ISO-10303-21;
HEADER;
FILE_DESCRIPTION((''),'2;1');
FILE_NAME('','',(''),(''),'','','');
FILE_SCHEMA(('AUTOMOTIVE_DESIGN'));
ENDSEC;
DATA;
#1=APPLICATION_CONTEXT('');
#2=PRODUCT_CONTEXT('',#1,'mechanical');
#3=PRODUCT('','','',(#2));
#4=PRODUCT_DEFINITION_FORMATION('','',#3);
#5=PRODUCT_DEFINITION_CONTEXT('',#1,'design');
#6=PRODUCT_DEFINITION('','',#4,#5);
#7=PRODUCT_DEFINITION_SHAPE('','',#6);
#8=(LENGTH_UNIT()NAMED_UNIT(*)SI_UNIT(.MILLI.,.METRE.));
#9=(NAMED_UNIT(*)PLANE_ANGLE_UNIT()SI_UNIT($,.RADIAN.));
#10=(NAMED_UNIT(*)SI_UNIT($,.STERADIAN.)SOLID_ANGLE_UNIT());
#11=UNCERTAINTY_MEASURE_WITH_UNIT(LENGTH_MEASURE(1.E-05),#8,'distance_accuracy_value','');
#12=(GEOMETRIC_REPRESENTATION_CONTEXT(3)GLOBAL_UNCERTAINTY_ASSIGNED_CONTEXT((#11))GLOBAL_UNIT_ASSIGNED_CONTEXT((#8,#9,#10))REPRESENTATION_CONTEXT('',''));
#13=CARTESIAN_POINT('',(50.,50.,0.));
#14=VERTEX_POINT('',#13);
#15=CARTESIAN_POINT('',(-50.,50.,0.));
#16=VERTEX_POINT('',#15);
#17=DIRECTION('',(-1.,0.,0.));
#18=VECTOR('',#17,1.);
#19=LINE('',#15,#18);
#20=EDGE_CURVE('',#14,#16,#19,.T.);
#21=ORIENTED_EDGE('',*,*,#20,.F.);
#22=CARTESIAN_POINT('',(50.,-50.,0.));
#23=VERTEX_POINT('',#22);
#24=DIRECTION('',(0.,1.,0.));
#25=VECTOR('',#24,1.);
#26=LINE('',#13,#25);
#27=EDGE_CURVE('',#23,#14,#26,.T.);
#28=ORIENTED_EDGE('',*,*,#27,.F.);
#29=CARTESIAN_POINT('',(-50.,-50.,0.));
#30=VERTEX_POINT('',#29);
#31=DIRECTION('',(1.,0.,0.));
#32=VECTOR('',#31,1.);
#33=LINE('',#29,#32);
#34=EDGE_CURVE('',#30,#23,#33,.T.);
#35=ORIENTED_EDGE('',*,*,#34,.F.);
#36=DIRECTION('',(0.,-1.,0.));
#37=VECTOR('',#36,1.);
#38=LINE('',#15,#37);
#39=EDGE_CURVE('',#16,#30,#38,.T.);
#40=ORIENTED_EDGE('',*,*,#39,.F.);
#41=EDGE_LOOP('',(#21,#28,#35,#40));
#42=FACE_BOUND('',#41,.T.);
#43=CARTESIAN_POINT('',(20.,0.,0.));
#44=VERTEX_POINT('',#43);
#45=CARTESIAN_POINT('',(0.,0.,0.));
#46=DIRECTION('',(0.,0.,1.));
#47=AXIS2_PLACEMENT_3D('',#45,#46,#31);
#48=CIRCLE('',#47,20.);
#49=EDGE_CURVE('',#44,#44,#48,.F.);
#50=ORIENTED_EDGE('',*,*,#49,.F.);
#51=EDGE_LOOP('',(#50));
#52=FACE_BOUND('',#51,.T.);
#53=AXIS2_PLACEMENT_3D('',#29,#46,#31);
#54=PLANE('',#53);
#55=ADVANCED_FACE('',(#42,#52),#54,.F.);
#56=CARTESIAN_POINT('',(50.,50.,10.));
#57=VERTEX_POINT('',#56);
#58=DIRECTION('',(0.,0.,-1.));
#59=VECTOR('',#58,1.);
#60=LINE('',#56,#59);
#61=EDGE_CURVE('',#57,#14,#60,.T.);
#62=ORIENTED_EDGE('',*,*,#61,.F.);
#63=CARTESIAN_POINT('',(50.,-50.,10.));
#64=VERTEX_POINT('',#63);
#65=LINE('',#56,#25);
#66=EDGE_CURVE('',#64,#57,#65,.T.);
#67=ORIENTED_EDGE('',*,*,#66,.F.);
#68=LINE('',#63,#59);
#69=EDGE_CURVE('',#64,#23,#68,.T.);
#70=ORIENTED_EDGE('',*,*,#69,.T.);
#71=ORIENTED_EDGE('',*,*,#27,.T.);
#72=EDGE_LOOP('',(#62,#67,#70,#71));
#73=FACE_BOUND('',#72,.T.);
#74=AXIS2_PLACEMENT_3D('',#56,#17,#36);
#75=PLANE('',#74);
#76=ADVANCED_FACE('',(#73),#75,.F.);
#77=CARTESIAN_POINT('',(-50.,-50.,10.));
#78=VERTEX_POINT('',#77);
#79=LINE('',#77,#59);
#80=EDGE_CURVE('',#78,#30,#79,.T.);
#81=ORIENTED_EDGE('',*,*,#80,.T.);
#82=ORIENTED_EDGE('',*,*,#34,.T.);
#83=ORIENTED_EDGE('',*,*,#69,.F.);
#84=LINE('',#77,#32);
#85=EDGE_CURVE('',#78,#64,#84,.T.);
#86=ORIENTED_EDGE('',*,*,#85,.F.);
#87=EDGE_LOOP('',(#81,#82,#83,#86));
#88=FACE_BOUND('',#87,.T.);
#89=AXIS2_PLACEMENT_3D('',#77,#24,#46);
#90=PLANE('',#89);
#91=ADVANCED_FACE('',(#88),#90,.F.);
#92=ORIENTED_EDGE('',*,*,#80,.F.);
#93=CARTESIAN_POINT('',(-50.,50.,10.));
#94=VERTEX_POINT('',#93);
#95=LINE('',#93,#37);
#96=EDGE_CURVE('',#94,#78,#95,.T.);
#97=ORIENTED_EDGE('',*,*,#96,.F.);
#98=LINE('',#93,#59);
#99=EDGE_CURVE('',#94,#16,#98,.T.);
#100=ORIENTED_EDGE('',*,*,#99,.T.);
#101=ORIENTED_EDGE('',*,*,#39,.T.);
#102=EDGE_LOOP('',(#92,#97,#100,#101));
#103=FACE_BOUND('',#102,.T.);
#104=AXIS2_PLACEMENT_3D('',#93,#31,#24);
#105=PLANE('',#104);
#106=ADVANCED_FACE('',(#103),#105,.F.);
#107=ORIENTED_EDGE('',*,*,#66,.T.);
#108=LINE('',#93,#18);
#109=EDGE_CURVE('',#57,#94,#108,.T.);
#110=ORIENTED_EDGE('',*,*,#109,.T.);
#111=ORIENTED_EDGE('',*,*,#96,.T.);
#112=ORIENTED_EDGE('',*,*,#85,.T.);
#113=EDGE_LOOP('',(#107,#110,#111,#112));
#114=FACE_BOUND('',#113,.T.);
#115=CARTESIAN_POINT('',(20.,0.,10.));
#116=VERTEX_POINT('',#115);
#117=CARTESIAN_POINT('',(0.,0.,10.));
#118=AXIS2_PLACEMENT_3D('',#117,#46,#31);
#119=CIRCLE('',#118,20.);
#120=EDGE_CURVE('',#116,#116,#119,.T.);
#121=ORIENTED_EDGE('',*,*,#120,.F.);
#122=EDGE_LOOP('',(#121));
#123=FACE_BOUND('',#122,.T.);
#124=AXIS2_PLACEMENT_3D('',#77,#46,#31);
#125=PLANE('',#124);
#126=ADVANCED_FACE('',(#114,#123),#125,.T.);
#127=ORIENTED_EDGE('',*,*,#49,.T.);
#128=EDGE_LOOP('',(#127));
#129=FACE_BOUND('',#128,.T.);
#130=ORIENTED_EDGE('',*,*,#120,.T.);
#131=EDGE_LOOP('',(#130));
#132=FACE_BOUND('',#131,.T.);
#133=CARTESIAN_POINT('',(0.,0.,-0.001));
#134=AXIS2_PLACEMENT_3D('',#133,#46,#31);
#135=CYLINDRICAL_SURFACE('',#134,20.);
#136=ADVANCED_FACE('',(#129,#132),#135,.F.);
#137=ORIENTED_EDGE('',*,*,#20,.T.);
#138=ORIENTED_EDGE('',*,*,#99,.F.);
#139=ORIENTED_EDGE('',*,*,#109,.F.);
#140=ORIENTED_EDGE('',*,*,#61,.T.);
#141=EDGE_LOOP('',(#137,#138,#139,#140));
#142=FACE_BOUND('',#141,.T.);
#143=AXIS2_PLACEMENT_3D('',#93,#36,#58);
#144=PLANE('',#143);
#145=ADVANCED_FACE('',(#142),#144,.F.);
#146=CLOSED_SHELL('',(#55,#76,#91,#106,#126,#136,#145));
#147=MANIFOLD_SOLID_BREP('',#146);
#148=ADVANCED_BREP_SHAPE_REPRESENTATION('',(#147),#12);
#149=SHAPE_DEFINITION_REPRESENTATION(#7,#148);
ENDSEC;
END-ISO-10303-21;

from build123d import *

# Parameters (mm, degrees)
CROQUIS1_W              = 100
CROQUIS1_H              = 100
SALIENTE_EXTRUIR1_DEPTH = 10
CORTAR_EXTRUIR1_REACH   = 73.414
CROQUIS2_R              = 20


with BuildPart() as part:
    # Croquis1 → Saliente-Extruir1 (new body)
    with BuildSketch(Plane.XY):
        Rectangle(CROQUIS1_W, CROQUIS1_H)
    extrude(amount=SALIENTE_EXTRUIR1_DEPTH)

    # Croquis2 → Cortar-Extruir1 (cut, up to next)
    with BuildSketch(Plane.XY.offset(10), mode=Mode.PRIVATE) as cortar_extruir1_sk1:
        Circle(CROQUIS2_R)
    cortar_extruir1_tool1 = extrude(cortar_extruir1_sk1.sketch, amount=-CORTAR_EXTRUIR1_REACH, mode=Mode.PRIVATE) & part.part
    add(cortar_extruir1_tool1.solids().sort_by_distance((0, 0, 10))[0], mode=Mode.SUBTRACT)


solid = part.part
